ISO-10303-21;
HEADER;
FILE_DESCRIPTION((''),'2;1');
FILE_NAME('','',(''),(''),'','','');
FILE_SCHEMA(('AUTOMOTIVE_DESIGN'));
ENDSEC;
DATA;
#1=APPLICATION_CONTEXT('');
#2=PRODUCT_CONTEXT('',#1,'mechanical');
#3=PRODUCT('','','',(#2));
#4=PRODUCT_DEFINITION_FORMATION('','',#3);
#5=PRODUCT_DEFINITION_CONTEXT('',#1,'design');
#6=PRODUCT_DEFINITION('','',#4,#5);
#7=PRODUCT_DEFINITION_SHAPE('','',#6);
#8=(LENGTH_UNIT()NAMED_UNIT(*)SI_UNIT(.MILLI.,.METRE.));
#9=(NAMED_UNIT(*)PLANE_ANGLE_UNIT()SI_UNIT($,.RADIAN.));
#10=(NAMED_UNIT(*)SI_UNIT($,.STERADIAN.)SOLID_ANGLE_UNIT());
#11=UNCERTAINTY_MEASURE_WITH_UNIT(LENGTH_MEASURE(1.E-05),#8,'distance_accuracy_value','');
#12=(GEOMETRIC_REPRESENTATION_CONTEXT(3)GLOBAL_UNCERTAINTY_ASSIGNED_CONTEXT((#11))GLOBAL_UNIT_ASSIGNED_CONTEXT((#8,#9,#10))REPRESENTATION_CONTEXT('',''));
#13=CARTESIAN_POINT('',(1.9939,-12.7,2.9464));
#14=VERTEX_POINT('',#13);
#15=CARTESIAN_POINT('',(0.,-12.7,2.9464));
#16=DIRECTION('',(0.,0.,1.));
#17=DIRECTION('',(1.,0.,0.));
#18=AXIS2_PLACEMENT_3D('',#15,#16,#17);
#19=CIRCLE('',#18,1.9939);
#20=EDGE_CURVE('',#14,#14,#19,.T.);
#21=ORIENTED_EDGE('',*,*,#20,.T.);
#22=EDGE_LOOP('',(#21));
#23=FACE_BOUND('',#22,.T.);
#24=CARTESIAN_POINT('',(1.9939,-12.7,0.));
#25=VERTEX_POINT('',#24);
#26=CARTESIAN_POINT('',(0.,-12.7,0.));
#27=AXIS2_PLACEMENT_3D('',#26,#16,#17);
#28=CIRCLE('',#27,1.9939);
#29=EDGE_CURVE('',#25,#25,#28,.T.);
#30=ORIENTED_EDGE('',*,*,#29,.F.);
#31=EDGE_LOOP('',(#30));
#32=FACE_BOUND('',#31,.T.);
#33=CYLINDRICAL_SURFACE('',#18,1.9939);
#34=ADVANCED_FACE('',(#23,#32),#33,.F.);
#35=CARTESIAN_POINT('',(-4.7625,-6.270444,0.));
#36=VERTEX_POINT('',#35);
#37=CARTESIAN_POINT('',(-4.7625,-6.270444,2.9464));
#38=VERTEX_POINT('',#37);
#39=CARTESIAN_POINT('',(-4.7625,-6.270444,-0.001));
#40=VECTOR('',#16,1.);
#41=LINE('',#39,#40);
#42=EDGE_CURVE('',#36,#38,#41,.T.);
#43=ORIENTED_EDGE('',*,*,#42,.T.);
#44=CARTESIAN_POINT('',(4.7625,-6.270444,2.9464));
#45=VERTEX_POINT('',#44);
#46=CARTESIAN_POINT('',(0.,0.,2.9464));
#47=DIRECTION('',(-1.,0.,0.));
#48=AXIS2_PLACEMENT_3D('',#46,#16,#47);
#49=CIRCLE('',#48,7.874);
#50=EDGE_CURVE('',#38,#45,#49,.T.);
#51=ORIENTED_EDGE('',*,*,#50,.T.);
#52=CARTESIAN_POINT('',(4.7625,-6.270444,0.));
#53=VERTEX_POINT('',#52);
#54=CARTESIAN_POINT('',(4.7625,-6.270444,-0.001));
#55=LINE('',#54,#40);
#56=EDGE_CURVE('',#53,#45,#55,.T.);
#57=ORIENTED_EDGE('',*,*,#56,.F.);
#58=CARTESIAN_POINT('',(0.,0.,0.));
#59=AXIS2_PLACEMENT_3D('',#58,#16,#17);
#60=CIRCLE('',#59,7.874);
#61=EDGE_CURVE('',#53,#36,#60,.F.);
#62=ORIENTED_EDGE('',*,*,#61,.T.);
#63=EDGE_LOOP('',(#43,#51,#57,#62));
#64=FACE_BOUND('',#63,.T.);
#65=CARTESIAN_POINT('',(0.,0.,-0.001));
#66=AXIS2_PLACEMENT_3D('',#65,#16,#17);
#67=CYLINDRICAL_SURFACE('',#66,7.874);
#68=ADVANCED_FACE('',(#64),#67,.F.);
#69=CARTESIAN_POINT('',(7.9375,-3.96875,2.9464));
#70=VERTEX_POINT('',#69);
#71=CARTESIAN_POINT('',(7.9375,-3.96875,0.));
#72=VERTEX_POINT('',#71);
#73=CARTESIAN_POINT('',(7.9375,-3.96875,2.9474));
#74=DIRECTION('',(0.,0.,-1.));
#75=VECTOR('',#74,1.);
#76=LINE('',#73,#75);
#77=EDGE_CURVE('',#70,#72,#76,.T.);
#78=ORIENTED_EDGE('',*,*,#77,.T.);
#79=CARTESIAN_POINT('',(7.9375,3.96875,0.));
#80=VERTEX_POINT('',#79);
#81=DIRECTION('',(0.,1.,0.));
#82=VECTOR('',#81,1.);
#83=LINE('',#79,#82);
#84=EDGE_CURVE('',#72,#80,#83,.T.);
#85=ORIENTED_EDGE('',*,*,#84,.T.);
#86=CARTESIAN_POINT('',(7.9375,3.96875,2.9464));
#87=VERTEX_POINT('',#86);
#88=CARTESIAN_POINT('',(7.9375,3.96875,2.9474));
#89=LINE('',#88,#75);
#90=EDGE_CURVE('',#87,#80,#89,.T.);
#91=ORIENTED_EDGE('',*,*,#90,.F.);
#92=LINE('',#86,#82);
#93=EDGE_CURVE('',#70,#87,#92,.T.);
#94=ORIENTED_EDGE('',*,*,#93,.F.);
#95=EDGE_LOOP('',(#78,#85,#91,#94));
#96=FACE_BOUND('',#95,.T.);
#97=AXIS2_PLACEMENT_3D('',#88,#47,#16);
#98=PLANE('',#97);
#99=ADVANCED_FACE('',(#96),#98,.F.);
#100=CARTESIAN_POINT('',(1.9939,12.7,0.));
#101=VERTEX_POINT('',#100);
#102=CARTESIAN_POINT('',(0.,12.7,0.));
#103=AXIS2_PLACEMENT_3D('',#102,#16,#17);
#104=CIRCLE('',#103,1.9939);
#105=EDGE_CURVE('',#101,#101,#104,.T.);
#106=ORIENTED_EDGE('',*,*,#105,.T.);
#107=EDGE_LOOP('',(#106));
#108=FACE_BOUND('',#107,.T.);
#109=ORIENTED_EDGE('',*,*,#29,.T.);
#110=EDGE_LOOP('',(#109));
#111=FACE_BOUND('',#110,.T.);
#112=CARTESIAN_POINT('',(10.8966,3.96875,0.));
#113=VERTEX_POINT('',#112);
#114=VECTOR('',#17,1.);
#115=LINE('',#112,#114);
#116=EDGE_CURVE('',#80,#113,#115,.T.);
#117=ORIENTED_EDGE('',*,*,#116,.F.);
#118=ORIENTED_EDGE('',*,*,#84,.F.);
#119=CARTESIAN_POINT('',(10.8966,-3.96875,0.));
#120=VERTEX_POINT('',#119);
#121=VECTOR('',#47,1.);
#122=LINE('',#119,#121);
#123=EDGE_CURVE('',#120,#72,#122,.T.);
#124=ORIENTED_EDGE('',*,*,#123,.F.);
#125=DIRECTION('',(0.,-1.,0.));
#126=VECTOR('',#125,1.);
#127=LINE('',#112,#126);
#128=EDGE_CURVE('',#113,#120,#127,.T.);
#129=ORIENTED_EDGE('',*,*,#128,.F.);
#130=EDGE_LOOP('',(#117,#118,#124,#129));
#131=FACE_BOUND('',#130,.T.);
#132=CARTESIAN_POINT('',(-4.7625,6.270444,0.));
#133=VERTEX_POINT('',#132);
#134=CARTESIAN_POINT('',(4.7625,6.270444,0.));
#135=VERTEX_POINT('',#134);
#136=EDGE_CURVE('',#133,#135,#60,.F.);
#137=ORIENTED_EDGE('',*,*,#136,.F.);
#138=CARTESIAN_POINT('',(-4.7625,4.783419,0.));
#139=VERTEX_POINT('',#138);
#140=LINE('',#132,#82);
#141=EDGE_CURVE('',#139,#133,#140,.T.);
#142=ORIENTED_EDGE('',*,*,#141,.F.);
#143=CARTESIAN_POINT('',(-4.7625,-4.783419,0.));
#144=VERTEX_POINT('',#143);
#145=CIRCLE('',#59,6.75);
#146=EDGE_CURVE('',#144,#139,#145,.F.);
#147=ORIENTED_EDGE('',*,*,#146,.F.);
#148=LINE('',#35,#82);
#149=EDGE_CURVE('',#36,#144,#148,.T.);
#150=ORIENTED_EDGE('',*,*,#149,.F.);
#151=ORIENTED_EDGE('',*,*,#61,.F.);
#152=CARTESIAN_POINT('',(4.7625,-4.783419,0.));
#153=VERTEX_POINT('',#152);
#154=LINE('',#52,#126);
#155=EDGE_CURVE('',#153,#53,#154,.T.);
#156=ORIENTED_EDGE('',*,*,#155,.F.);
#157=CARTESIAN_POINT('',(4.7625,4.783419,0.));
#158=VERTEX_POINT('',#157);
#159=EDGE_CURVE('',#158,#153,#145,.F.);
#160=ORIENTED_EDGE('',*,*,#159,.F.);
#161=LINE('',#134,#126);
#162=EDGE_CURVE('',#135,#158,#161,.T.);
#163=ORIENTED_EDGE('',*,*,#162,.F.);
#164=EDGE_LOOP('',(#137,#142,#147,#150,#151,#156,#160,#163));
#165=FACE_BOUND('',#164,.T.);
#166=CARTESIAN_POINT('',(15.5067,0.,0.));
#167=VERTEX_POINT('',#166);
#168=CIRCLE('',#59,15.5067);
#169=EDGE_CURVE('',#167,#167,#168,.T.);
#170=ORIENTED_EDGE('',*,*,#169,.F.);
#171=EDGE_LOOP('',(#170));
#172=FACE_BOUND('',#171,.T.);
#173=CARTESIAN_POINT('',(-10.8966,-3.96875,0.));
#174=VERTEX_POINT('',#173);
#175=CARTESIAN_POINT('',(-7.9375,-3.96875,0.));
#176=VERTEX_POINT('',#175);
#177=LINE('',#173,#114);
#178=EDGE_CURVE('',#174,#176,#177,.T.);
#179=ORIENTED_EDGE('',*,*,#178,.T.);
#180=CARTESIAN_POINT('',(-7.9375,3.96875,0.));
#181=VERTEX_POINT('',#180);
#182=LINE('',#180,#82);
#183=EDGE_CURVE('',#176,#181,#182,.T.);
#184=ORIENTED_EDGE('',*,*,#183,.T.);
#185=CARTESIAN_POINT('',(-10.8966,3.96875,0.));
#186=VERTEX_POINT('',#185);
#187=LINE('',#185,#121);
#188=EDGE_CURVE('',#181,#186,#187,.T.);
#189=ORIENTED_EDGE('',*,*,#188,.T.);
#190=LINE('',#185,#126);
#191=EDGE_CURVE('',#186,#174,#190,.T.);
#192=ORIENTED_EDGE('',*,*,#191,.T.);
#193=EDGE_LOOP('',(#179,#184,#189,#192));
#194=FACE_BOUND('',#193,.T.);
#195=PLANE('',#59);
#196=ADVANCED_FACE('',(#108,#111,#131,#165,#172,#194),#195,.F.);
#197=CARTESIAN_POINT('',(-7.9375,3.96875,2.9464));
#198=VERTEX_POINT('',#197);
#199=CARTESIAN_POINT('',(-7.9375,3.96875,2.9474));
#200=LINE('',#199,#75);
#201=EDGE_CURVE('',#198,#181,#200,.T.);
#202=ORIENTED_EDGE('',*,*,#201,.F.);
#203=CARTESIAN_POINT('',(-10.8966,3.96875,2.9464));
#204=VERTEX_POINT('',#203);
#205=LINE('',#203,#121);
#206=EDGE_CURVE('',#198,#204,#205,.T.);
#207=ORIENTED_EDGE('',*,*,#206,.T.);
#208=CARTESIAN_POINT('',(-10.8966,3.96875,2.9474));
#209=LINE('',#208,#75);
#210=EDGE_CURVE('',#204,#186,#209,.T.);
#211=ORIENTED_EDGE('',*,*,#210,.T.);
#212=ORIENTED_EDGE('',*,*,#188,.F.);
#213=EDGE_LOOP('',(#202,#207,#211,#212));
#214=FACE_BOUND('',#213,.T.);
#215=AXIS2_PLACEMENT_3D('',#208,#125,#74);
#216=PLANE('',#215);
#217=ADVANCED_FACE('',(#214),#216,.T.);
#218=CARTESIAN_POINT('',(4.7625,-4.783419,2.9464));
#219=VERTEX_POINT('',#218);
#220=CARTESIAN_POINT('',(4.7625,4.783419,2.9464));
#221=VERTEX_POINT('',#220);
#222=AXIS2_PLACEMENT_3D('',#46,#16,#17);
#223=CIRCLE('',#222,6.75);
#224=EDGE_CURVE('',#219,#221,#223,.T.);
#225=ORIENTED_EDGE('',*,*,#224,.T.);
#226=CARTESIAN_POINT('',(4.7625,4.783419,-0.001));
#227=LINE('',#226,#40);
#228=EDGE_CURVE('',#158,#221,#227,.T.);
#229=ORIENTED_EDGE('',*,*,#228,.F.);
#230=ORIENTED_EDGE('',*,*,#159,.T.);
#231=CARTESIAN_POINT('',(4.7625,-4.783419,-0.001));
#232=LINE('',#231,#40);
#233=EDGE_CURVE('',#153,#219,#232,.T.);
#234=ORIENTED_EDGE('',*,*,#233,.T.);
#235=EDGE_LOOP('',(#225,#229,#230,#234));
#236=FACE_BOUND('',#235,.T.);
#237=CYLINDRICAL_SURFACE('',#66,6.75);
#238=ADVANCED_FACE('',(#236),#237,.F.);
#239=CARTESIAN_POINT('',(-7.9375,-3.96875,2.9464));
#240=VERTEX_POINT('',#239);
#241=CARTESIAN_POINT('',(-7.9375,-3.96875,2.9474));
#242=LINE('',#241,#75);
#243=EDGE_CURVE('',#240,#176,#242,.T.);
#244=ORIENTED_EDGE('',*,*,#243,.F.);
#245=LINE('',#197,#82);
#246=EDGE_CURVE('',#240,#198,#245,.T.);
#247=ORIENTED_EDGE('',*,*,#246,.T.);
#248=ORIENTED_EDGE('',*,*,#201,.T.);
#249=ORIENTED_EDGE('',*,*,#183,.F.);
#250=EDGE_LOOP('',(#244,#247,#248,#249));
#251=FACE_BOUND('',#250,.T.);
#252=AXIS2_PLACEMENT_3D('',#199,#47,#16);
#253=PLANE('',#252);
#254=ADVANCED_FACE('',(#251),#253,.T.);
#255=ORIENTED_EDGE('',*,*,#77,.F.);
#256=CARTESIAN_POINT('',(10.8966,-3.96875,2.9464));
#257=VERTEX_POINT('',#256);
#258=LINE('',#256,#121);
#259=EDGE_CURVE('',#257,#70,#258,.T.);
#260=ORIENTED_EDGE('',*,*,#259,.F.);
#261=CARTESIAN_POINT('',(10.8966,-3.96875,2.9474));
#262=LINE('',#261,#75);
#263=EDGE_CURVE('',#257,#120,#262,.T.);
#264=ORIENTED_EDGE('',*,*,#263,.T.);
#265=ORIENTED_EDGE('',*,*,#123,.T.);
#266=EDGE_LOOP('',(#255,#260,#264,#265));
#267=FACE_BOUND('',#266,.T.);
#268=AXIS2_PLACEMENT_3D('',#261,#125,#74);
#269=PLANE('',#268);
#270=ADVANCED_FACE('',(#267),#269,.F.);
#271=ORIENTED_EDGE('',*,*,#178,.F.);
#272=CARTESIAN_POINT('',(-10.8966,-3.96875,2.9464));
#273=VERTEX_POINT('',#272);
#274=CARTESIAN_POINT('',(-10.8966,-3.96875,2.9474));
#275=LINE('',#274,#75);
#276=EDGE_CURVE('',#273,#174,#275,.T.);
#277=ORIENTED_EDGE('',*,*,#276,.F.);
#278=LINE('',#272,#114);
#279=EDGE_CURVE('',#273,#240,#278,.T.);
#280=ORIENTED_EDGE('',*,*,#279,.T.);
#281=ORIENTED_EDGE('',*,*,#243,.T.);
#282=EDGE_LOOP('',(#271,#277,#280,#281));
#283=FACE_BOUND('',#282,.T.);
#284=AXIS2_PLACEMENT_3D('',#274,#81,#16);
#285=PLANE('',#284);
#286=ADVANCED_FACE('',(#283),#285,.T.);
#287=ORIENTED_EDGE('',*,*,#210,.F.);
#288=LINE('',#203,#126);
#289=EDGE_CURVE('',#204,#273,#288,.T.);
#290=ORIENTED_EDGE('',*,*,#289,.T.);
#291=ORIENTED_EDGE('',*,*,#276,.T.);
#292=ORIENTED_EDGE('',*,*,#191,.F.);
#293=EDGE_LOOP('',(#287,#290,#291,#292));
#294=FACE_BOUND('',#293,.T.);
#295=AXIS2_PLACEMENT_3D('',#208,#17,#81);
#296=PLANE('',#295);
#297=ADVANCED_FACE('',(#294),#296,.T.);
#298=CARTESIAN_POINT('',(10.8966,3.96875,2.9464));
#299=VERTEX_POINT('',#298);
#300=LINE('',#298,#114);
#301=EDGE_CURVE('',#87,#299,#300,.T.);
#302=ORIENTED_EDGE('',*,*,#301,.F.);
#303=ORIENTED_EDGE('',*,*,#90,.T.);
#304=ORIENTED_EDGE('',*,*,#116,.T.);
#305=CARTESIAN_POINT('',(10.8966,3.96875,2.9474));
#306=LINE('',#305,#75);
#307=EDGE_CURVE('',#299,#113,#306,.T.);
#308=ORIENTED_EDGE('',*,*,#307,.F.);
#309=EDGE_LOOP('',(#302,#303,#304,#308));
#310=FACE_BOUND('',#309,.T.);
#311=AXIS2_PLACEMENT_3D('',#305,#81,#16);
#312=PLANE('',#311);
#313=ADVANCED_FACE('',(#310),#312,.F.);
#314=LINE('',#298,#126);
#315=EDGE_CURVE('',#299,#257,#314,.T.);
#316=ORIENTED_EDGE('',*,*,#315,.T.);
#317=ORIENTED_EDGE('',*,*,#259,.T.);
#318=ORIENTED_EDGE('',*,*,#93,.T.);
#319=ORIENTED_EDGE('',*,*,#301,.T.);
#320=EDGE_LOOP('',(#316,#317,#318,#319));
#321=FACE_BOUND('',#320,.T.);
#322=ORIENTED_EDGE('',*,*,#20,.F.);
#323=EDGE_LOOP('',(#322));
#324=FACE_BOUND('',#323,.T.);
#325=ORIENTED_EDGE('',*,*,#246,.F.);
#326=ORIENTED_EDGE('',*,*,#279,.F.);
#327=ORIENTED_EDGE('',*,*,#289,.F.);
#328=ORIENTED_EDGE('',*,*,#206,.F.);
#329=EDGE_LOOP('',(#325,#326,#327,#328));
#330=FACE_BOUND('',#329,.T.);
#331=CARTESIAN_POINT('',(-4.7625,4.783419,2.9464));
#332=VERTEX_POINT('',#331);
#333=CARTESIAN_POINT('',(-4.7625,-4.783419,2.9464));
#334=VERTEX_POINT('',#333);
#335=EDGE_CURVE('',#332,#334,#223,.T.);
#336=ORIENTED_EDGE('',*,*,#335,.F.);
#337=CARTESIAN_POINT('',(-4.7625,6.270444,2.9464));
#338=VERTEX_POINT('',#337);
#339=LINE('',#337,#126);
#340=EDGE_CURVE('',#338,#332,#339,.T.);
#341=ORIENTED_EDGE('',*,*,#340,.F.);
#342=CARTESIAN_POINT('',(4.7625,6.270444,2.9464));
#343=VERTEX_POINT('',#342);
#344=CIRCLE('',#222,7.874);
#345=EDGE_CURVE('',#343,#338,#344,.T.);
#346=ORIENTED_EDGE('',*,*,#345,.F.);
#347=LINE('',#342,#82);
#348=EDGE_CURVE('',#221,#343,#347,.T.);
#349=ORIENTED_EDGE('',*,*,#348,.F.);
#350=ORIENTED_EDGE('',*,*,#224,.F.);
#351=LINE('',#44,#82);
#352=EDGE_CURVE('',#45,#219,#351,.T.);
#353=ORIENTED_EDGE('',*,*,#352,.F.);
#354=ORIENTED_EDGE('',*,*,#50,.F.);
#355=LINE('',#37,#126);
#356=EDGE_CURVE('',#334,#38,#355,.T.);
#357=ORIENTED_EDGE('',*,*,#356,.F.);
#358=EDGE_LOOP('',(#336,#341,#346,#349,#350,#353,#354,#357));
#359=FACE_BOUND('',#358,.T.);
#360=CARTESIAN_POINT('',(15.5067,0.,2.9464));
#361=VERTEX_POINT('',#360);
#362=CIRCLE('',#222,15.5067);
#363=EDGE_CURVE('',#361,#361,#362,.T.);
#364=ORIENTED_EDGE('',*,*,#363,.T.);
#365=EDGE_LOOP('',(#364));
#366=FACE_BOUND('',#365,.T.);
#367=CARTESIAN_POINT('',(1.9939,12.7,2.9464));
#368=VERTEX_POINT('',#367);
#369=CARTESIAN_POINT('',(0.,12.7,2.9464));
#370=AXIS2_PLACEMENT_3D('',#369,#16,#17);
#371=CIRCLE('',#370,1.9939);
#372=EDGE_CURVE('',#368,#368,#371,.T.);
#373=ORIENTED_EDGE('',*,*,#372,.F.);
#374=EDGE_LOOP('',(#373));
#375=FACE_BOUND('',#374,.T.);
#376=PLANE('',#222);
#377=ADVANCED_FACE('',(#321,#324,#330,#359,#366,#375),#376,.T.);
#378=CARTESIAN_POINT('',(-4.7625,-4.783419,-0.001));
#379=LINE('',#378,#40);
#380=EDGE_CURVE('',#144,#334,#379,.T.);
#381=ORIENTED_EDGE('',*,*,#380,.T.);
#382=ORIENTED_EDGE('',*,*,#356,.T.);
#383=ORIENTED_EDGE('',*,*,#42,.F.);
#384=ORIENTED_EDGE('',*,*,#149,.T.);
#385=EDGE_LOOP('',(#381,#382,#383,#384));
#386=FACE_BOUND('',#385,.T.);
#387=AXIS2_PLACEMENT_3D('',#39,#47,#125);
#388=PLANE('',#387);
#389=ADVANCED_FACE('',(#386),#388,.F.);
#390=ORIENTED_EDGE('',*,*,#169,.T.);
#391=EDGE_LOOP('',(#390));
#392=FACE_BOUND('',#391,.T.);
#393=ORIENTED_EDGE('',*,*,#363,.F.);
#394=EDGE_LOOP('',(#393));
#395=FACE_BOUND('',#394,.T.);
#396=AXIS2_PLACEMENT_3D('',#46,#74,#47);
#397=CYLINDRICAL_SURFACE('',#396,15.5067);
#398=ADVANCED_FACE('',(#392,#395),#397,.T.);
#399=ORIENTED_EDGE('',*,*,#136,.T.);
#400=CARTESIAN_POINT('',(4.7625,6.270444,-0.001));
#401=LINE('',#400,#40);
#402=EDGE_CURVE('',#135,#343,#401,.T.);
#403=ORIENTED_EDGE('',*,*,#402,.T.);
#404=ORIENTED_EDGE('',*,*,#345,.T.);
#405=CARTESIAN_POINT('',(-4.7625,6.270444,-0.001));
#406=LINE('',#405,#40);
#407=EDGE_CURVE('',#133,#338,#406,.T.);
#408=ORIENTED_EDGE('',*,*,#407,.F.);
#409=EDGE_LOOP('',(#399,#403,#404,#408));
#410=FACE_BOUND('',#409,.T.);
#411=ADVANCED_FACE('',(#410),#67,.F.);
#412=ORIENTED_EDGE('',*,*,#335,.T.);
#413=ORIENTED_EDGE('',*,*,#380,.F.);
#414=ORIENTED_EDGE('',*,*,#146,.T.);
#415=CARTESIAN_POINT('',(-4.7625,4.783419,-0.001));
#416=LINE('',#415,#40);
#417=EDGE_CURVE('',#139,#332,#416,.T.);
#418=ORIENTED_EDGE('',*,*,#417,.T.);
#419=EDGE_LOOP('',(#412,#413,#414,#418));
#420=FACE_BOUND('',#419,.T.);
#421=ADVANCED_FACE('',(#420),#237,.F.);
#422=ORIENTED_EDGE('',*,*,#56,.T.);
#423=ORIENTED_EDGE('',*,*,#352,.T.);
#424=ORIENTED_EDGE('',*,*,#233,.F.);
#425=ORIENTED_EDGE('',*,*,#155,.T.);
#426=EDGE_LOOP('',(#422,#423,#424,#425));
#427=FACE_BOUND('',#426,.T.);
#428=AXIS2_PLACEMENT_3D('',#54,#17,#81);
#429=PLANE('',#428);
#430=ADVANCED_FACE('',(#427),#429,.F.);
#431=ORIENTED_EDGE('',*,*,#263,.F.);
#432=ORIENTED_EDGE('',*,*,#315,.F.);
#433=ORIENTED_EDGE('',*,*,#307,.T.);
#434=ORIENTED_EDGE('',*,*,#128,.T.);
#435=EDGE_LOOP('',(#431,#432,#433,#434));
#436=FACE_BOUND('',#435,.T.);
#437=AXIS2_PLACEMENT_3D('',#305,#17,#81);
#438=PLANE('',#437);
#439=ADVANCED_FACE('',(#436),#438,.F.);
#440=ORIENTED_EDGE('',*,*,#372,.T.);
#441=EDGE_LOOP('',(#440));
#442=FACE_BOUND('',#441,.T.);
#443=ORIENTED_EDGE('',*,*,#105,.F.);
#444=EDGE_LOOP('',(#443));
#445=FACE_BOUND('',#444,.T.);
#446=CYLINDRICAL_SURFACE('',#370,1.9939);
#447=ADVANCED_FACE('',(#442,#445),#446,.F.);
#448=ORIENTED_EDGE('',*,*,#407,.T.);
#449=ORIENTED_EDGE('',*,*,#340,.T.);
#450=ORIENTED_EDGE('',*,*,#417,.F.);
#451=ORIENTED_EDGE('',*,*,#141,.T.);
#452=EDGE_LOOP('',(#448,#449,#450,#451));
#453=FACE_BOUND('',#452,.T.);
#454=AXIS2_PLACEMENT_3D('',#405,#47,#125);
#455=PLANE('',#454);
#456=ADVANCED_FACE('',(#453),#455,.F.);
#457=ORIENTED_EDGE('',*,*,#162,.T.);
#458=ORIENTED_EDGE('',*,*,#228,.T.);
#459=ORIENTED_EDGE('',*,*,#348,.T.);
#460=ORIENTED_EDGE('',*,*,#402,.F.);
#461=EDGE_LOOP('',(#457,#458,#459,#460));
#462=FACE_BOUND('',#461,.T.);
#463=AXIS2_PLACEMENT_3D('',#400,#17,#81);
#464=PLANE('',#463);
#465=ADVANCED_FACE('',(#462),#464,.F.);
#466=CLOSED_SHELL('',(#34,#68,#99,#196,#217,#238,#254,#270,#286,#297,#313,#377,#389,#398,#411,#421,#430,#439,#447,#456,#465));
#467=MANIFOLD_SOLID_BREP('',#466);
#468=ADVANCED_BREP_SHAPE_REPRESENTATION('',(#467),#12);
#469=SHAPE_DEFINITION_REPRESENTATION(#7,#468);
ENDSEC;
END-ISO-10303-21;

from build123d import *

# Parameters (mm, degrees)
SKETCH1_R                   = 15.5067
BOSS_EXTRUDE1_DEPTH         = 2.9464
CUT_EXTRUDE1_REACH          = 24.127
CUT_EXTRUDE2_REACH          = 24.127
SKETCH3_W                   = 2.9591
SKETCH3_H                   = 7.9375
TAP_DRILL_FOR_4_HELICOIL1_D = 3.9878


with BuildPart() as part:
    # Sketch1 → Boss-Extrude1 (new body)
    with BuildSketch(Plane.XY):
        Circle(SKETCH1_R)
    extrude(amount=BOSS_EXTRUDE1_DEPTH)

    # Sketch2 → Cut-Extrude1 (cut, up to next)
    with BuildSketch(Plane.XY.offset(2.9464), mode=Mode.PRIVATE) as cut_extrude1_sk1:
        with BuildLine():
            Line((4.7625, 6.270444143), (4.7625, 4.783418626))
            ThreePointArc((4.7625, 4.783418626), (6.75, 0), (4.7625, -4.783418626))
            Line((4.7625, -4.783418626), (4.7625, -6.270444143))
            ThreePointArc((4.7625, -6.270444143), (0, -7.874), (-4.7625, -6.270444143))
            Line((-4.7625, -6.270444143), (-4.7625, -4.783418626))
            ThreePointArc((-4.7625, -4.783418626), (-6.75, 0), (-4.7625, 4.783418626))
            Line((-4.7625, 4.783418626), (-4.7625, 6.270444143))
            ThreePointArc((-4.7625, 6.270444143), (0, 7.874), (4.7625, 6.270444143))
        make_face()
    cut_extrude1_tool1 = extrude(cut_extrude1_sk1.sketch, amount=-CUT_EXTRUDE1_REACH, mode=Mode.PRIVATE) & part.part
    add(cut_extrude1_tool1.solids().sort_by_distance((0, 0, 2.9464))[0], mode=Mode.SUBTRACT)

    # Sketch3 → Cut-Extrude2 (cut, up to next)
    with BuildSketch(Plane(origin=(0, 0, 0), x_dir=(-1, 0, 0), z_dir=(0, 0, -1)), mode=Mode.PRIVATE) as cut_extrude2_sk1:
        with Locations((-9.41705, 0)):
            Rectangle(SKETCH3_W, SKETCH3_H)
    cut_extrude2_tool1 = extrude(cut_extrude2_sk1.sketch, amount=-CUT_EXTRUDE2_REACH, mode=Mode.PRIVATE) & part.part
    cut_extrude2 = cut_extrude2_tool1.solids().sort_by_distance((9.41705, 0, 0))[0]
    add(cut_extrude2, mode=Mode.SUBTRACT)

    # Mirror1: Cut-Extrude2 across plane
    add(cut_extrude2.mirror(Plane(origin=(0, 0, 0), x_dir=(0, 0, 1), z_dir=(1, 0, 0))), mode=Mode.SUBTRACT)

    # Tap Drill for #4 Helicoil1 (through all)
    with Locations(Plane.XY.offset(2.9464)):
        with Locations((0, 12.7), (0, -12.7)):
            Hole(TAP_DRILL_FOR_4_HELICOIL1_D / 2)


solid = part.part
